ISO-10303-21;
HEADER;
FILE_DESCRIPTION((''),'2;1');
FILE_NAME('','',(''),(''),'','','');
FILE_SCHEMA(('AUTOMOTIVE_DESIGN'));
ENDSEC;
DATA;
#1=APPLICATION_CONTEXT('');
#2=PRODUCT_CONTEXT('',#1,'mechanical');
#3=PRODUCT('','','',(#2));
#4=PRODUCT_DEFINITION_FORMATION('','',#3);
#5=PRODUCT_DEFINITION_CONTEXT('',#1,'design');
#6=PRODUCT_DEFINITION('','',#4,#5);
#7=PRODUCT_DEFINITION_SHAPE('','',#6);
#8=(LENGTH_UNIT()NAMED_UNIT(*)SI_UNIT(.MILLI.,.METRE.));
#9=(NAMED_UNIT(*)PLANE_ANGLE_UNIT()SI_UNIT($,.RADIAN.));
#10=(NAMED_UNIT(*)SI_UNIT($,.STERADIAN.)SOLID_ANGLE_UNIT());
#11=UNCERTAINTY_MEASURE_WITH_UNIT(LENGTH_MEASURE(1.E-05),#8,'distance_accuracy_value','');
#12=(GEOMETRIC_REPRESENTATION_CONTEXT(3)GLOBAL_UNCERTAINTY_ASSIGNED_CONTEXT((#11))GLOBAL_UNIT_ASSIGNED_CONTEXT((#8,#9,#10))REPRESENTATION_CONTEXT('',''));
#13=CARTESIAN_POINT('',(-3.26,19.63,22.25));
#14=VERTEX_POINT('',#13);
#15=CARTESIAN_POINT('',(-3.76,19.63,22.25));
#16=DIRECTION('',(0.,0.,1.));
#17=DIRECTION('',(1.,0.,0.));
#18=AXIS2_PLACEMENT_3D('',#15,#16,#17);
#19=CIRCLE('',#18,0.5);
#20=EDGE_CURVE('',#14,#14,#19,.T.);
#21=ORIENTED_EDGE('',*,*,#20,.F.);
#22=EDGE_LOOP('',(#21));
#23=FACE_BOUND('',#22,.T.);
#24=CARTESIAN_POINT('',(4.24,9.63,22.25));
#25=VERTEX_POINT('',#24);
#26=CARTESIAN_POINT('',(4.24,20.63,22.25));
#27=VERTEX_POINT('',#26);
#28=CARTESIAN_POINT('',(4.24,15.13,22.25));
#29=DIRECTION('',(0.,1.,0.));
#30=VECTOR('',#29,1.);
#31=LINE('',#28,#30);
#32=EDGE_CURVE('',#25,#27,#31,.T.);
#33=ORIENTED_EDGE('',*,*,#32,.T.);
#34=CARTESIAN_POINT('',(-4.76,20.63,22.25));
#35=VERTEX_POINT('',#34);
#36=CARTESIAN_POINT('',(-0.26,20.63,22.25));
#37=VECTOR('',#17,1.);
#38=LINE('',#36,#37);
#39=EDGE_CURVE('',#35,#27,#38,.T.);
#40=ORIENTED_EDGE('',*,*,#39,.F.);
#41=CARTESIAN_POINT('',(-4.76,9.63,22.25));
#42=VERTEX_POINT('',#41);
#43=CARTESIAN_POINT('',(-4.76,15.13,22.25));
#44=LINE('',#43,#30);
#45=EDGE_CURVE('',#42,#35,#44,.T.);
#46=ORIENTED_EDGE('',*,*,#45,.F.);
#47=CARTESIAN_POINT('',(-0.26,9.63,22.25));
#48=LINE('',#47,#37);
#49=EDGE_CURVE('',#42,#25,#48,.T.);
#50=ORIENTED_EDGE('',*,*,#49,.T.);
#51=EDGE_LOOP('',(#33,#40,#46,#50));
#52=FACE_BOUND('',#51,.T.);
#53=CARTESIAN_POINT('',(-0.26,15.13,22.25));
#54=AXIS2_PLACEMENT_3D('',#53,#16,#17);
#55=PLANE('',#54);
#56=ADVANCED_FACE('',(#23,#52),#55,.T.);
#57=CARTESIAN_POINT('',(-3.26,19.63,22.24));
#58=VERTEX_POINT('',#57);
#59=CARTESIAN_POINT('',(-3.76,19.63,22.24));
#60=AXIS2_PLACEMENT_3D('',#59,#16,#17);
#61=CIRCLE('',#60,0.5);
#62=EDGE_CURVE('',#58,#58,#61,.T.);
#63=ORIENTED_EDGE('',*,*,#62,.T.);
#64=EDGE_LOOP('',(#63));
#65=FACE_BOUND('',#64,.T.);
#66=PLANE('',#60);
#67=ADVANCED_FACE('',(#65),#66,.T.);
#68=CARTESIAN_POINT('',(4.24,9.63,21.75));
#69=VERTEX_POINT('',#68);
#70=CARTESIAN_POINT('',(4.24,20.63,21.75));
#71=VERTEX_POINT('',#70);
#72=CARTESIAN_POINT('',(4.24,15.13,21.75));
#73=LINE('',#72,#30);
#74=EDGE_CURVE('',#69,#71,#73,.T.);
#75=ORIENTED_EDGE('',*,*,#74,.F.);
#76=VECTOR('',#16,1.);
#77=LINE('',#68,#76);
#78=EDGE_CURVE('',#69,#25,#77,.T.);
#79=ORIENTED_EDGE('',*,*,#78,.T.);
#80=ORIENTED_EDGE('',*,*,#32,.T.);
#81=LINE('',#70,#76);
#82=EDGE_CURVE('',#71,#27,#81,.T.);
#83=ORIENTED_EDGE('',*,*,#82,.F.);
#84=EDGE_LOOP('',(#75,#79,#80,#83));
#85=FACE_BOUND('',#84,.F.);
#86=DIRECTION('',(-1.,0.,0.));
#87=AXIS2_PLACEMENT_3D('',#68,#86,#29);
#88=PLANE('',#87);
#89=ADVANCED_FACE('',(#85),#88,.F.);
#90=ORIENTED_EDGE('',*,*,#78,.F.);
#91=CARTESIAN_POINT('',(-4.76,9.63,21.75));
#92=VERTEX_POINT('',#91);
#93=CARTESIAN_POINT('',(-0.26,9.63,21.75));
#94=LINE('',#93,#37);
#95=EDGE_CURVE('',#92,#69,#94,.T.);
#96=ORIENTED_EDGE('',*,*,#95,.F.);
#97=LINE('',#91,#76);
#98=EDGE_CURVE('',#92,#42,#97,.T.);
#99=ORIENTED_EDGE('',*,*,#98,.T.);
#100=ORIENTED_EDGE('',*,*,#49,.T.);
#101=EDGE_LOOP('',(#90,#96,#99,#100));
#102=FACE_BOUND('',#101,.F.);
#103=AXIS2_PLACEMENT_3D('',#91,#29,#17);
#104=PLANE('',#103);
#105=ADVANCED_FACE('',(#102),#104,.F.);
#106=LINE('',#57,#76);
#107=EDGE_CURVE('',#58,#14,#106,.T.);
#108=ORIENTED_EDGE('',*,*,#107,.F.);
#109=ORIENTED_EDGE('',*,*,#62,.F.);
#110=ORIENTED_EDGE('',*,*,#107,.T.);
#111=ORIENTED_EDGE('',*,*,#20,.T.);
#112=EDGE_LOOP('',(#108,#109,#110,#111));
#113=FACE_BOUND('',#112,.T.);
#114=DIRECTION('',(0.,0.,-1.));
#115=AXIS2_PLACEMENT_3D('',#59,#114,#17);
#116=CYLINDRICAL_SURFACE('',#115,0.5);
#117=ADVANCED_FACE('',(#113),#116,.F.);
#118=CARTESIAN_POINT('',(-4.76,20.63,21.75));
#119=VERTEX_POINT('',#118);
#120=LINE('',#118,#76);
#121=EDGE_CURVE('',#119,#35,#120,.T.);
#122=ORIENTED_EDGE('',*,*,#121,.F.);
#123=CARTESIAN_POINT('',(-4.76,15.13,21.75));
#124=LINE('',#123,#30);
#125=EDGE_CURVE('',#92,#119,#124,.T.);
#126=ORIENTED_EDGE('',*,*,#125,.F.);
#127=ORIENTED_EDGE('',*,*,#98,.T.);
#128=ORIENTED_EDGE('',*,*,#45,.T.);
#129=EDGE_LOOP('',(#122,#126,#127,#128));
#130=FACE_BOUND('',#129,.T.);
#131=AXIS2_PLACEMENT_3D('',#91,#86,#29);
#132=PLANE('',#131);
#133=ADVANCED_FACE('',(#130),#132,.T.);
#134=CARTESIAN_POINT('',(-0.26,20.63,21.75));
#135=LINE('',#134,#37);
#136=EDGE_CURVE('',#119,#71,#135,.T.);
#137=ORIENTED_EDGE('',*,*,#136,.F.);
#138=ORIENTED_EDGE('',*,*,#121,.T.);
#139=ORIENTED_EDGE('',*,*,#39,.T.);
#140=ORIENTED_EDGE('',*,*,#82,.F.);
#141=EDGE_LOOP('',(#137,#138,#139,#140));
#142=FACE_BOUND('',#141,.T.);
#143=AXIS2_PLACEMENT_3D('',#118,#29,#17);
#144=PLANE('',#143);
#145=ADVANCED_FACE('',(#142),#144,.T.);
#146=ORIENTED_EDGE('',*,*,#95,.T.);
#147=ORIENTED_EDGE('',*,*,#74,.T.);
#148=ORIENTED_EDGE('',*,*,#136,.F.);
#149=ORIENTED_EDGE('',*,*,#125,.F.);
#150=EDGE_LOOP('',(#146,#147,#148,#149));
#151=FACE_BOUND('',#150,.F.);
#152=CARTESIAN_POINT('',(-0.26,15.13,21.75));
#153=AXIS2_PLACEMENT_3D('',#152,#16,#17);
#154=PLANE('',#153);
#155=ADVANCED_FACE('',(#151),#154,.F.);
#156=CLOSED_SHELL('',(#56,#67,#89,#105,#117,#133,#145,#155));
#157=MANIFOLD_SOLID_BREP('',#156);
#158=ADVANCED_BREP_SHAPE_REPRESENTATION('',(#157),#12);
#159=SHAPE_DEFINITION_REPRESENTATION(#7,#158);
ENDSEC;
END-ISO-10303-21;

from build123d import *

# Parameters (mm, degrees)
CYLINDER029_R     = 0.5
CYLINDER029_DEPTH = 0.01
BOX074_W          = 9
BOX074_H          = 11
BOX074_DEPTH      = 0.5


with BuildPart() as cylinder029:
    # Cylinder029 → Cylinder029 (new body)
    with BuildSketch(Plane(origin=(1, 10, 0.49), x_dir=(1, 0, 0), z_dir=(0, 0, 1))):
        Circle(CYLINDER029_R)
    extrude(amount=CYLINDER029_DEPTH)


with BuildPart() as large_linbo3_plate017:
    # Box074 → Box074 (new body)
    with BuildSketch(Plane.XY):
        with Locations((4.5, 5.5)):
            Rectangle(BOX074_W, BOX074_H)
    extrude(amount=BOX074_DEPTH)

    # Cut022: cut Cylinder029
    add(cylinder029.part, mode=Mode.SUBTRACT)


with BuildPart() as large_linbo3_plate017_1:
    # Cut022 placement: moved
    add(large_linbo3_plate017.part.moved(Location((-4.76, 9.63, 21.75))))


solid = large_linbo3_plate017_1.part
